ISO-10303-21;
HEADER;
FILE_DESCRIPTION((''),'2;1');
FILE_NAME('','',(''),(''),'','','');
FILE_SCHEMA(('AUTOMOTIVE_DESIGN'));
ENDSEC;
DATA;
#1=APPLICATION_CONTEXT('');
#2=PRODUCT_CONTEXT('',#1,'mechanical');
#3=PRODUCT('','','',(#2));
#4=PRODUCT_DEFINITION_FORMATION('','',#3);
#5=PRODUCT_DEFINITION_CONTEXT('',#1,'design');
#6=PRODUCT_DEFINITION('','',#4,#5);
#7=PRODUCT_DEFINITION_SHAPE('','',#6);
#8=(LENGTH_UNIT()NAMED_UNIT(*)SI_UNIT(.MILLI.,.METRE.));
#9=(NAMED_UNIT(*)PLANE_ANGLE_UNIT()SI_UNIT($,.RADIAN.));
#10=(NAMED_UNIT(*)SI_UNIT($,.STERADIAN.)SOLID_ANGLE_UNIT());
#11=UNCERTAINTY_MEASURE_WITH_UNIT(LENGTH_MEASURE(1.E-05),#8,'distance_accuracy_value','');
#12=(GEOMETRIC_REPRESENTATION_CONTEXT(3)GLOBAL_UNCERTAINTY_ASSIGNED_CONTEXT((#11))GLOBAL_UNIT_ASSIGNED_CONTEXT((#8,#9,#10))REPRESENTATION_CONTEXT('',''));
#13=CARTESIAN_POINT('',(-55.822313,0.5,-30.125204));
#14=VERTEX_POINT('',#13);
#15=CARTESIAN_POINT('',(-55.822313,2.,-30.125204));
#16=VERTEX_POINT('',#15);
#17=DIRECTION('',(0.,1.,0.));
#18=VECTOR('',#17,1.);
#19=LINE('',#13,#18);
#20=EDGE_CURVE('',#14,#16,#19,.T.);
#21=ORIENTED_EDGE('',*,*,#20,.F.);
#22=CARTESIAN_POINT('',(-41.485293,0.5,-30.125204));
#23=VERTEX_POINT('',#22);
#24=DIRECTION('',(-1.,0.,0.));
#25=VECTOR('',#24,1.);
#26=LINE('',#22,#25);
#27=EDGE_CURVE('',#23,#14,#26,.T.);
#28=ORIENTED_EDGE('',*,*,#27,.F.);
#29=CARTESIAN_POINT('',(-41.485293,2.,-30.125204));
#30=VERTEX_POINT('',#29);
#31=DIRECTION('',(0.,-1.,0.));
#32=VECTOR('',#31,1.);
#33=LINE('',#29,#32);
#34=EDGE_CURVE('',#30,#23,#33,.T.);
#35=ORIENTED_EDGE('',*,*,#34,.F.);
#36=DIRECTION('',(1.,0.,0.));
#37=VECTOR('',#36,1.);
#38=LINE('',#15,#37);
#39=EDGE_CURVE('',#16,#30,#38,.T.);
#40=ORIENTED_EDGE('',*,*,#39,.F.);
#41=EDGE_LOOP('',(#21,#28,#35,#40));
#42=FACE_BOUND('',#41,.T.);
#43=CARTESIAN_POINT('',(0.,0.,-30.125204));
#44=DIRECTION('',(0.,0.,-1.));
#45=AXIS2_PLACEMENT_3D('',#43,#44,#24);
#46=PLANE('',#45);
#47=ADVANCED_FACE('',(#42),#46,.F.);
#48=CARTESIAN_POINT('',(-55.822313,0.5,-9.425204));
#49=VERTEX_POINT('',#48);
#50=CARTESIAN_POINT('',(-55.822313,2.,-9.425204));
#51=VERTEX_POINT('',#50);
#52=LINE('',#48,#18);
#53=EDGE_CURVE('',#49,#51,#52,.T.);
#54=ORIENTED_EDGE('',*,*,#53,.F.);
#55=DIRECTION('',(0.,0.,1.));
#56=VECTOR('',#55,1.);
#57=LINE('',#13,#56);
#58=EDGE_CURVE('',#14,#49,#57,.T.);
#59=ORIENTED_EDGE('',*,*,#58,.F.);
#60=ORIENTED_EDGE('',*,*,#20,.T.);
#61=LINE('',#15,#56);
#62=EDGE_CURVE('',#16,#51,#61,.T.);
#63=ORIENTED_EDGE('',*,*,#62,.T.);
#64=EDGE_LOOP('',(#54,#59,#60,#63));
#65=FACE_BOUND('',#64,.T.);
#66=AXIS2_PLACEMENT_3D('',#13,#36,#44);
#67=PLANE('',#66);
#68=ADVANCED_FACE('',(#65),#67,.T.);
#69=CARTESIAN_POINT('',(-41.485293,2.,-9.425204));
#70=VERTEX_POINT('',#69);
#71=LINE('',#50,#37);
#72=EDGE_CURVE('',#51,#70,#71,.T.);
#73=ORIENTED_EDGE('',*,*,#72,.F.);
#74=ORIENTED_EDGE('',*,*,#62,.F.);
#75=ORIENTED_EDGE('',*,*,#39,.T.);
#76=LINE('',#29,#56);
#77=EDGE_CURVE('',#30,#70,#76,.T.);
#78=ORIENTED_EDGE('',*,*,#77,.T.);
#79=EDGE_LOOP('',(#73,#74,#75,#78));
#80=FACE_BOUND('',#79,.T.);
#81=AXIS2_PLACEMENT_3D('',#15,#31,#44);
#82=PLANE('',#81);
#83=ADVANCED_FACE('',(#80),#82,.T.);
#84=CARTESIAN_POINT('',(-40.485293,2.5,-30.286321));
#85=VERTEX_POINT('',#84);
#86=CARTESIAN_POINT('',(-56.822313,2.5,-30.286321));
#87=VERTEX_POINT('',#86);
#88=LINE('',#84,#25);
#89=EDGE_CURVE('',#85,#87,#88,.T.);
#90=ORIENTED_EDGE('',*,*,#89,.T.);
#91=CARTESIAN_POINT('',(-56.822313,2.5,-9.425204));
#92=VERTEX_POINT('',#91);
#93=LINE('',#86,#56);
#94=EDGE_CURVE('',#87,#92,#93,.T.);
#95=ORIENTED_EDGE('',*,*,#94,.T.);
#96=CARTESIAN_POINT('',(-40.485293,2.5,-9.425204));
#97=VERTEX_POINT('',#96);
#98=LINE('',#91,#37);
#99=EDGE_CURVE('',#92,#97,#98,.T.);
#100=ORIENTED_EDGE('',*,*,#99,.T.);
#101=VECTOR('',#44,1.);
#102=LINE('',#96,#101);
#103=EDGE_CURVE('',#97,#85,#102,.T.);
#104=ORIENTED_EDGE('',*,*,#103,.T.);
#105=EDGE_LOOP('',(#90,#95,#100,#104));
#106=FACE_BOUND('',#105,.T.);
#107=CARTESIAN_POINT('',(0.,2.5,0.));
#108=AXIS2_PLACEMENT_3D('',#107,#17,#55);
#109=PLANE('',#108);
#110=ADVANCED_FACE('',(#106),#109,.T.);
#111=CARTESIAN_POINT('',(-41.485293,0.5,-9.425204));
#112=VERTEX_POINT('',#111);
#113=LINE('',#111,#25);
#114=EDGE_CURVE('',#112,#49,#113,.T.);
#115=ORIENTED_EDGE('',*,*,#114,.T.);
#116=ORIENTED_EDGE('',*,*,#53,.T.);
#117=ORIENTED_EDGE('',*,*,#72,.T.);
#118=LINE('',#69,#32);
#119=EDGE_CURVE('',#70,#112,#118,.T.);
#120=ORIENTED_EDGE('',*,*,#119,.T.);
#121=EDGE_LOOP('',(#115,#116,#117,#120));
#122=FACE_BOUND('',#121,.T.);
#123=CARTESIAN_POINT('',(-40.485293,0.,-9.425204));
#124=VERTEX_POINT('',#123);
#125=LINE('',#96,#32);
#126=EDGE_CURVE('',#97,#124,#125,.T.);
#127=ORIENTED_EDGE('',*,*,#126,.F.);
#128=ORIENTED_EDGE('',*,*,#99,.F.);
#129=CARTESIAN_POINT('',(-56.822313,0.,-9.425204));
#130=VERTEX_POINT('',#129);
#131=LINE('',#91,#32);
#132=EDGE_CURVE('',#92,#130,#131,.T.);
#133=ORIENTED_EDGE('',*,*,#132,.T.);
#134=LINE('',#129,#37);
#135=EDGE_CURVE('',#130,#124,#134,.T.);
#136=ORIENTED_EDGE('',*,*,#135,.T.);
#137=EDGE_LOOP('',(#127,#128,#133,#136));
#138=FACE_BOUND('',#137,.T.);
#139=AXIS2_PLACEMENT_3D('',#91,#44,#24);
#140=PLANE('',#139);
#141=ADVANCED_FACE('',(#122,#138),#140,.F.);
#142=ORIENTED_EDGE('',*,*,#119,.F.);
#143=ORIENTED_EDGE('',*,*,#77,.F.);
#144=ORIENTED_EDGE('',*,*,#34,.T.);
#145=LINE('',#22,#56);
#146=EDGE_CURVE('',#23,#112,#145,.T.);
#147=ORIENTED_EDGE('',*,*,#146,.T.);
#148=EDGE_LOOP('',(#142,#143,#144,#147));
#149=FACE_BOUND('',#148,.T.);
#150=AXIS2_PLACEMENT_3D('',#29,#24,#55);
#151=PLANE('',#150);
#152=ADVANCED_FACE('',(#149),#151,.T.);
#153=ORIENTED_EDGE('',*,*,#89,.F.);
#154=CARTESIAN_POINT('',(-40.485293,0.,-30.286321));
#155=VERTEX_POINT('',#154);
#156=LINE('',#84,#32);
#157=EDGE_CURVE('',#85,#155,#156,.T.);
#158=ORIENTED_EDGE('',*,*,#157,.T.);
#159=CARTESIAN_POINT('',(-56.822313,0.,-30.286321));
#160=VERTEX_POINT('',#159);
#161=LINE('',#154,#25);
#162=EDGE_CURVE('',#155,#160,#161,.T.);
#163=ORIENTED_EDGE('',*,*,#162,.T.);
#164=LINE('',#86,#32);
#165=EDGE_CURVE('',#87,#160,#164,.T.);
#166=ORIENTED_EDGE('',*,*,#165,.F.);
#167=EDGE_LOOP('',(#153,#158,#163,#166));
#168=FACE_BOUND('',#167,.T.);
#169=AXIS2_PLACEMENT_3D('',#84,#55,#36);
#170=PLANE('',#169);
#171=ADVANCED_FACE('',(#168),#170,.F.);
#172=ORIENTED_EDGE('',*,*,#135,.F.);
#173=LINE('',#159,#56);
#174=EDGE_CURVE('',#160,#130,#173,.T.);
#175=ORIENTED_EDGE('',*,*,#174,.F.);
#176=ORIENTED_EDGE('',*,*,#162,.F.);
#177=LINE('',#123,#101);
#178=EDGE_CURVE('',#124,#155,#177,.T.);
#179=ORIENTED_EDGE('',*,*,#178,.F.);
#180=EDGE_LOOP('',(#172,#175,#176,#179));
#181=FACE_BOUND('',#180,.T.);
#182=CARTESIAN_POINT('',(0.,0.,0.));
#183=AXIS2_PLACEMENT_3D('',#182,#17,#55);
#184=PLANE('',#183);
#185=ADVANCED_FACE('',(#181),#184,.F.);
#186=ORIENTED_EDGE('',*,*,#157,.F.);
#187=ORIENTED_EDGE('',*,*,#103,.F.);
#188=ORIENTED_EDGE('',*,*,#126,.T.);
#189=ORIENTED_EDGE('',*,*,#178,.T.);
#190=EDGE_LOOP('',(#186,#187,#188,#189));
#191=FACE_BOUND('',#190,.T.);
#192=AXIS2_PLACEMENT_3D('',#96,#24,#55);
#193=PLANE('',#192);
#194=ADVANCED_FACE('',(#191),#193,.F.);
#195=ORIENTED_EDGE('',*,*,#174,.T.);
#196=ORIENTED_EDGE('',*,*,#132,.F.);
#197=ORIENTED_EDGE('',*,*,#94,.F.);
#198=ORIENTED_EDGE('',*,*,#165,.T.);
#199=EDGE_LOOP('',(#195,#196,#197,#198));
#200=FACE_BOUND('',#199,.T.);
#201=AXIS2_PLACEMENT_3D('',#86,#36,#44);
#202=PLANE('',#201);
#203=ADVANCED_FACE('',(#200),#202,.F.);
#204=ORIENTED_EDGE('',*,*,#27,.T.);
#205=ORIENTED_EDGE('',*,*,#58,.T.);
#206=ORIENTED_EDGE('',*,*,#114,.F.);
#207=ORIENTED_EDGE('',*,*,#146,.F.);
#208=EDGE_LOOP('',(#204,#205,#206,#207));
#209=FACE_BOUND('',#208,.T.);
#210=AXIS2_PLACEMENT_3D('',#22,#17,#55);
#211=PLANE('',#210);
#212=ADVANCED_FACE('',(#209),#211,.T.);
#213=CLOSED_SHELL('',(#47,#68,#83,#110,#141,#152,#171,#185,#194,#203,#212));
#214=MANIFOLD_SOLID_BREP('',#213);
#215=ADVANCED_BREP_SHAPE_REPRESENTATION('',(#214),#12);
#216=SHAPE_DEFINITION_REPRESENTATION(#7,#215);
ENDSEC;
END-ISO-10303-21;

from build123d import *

# Parameters (mm, degrees)
SKETCH1_W           = 16.337019791
SKETCH1_H           = 20.861117579
BOSS_EXTRUDE1_DEPTH = 2.5
SKETCH2_W           = 14.337019791
SKETCH2_H           = 1.5
CUT_EXTRUDE1_DEPTH  = 20.7


with BuildPart() as part:
    # Sketch1 → Boss-Extrude1 (new body)
    with BuildSketch(Plane(origin=(0, 0, 0), x_dir=(1, 0, 0), z_dir=(0, 1, 0))):
        with Locations((-48.653803358, 19.855762515)):
            Rectangle(SKETCH1_W, SKETCH1_H)
    extrude(amount=BOSS_EXTRUDE1_DEPTH)

    # Sketch2 → Cut-Extrude1 (cut)
    with BuildSketch(Plane.XY.offset(-9.425203725)):
        with Locations((-48.653803358, 1.25)):
            Rectangle(SKETCH2_W, SKETCH2_H)
    extrude(amount=-CUT_EXTRUDE1_DEPTH, mode=Mode.SUBTRACT)


solid = part.part
